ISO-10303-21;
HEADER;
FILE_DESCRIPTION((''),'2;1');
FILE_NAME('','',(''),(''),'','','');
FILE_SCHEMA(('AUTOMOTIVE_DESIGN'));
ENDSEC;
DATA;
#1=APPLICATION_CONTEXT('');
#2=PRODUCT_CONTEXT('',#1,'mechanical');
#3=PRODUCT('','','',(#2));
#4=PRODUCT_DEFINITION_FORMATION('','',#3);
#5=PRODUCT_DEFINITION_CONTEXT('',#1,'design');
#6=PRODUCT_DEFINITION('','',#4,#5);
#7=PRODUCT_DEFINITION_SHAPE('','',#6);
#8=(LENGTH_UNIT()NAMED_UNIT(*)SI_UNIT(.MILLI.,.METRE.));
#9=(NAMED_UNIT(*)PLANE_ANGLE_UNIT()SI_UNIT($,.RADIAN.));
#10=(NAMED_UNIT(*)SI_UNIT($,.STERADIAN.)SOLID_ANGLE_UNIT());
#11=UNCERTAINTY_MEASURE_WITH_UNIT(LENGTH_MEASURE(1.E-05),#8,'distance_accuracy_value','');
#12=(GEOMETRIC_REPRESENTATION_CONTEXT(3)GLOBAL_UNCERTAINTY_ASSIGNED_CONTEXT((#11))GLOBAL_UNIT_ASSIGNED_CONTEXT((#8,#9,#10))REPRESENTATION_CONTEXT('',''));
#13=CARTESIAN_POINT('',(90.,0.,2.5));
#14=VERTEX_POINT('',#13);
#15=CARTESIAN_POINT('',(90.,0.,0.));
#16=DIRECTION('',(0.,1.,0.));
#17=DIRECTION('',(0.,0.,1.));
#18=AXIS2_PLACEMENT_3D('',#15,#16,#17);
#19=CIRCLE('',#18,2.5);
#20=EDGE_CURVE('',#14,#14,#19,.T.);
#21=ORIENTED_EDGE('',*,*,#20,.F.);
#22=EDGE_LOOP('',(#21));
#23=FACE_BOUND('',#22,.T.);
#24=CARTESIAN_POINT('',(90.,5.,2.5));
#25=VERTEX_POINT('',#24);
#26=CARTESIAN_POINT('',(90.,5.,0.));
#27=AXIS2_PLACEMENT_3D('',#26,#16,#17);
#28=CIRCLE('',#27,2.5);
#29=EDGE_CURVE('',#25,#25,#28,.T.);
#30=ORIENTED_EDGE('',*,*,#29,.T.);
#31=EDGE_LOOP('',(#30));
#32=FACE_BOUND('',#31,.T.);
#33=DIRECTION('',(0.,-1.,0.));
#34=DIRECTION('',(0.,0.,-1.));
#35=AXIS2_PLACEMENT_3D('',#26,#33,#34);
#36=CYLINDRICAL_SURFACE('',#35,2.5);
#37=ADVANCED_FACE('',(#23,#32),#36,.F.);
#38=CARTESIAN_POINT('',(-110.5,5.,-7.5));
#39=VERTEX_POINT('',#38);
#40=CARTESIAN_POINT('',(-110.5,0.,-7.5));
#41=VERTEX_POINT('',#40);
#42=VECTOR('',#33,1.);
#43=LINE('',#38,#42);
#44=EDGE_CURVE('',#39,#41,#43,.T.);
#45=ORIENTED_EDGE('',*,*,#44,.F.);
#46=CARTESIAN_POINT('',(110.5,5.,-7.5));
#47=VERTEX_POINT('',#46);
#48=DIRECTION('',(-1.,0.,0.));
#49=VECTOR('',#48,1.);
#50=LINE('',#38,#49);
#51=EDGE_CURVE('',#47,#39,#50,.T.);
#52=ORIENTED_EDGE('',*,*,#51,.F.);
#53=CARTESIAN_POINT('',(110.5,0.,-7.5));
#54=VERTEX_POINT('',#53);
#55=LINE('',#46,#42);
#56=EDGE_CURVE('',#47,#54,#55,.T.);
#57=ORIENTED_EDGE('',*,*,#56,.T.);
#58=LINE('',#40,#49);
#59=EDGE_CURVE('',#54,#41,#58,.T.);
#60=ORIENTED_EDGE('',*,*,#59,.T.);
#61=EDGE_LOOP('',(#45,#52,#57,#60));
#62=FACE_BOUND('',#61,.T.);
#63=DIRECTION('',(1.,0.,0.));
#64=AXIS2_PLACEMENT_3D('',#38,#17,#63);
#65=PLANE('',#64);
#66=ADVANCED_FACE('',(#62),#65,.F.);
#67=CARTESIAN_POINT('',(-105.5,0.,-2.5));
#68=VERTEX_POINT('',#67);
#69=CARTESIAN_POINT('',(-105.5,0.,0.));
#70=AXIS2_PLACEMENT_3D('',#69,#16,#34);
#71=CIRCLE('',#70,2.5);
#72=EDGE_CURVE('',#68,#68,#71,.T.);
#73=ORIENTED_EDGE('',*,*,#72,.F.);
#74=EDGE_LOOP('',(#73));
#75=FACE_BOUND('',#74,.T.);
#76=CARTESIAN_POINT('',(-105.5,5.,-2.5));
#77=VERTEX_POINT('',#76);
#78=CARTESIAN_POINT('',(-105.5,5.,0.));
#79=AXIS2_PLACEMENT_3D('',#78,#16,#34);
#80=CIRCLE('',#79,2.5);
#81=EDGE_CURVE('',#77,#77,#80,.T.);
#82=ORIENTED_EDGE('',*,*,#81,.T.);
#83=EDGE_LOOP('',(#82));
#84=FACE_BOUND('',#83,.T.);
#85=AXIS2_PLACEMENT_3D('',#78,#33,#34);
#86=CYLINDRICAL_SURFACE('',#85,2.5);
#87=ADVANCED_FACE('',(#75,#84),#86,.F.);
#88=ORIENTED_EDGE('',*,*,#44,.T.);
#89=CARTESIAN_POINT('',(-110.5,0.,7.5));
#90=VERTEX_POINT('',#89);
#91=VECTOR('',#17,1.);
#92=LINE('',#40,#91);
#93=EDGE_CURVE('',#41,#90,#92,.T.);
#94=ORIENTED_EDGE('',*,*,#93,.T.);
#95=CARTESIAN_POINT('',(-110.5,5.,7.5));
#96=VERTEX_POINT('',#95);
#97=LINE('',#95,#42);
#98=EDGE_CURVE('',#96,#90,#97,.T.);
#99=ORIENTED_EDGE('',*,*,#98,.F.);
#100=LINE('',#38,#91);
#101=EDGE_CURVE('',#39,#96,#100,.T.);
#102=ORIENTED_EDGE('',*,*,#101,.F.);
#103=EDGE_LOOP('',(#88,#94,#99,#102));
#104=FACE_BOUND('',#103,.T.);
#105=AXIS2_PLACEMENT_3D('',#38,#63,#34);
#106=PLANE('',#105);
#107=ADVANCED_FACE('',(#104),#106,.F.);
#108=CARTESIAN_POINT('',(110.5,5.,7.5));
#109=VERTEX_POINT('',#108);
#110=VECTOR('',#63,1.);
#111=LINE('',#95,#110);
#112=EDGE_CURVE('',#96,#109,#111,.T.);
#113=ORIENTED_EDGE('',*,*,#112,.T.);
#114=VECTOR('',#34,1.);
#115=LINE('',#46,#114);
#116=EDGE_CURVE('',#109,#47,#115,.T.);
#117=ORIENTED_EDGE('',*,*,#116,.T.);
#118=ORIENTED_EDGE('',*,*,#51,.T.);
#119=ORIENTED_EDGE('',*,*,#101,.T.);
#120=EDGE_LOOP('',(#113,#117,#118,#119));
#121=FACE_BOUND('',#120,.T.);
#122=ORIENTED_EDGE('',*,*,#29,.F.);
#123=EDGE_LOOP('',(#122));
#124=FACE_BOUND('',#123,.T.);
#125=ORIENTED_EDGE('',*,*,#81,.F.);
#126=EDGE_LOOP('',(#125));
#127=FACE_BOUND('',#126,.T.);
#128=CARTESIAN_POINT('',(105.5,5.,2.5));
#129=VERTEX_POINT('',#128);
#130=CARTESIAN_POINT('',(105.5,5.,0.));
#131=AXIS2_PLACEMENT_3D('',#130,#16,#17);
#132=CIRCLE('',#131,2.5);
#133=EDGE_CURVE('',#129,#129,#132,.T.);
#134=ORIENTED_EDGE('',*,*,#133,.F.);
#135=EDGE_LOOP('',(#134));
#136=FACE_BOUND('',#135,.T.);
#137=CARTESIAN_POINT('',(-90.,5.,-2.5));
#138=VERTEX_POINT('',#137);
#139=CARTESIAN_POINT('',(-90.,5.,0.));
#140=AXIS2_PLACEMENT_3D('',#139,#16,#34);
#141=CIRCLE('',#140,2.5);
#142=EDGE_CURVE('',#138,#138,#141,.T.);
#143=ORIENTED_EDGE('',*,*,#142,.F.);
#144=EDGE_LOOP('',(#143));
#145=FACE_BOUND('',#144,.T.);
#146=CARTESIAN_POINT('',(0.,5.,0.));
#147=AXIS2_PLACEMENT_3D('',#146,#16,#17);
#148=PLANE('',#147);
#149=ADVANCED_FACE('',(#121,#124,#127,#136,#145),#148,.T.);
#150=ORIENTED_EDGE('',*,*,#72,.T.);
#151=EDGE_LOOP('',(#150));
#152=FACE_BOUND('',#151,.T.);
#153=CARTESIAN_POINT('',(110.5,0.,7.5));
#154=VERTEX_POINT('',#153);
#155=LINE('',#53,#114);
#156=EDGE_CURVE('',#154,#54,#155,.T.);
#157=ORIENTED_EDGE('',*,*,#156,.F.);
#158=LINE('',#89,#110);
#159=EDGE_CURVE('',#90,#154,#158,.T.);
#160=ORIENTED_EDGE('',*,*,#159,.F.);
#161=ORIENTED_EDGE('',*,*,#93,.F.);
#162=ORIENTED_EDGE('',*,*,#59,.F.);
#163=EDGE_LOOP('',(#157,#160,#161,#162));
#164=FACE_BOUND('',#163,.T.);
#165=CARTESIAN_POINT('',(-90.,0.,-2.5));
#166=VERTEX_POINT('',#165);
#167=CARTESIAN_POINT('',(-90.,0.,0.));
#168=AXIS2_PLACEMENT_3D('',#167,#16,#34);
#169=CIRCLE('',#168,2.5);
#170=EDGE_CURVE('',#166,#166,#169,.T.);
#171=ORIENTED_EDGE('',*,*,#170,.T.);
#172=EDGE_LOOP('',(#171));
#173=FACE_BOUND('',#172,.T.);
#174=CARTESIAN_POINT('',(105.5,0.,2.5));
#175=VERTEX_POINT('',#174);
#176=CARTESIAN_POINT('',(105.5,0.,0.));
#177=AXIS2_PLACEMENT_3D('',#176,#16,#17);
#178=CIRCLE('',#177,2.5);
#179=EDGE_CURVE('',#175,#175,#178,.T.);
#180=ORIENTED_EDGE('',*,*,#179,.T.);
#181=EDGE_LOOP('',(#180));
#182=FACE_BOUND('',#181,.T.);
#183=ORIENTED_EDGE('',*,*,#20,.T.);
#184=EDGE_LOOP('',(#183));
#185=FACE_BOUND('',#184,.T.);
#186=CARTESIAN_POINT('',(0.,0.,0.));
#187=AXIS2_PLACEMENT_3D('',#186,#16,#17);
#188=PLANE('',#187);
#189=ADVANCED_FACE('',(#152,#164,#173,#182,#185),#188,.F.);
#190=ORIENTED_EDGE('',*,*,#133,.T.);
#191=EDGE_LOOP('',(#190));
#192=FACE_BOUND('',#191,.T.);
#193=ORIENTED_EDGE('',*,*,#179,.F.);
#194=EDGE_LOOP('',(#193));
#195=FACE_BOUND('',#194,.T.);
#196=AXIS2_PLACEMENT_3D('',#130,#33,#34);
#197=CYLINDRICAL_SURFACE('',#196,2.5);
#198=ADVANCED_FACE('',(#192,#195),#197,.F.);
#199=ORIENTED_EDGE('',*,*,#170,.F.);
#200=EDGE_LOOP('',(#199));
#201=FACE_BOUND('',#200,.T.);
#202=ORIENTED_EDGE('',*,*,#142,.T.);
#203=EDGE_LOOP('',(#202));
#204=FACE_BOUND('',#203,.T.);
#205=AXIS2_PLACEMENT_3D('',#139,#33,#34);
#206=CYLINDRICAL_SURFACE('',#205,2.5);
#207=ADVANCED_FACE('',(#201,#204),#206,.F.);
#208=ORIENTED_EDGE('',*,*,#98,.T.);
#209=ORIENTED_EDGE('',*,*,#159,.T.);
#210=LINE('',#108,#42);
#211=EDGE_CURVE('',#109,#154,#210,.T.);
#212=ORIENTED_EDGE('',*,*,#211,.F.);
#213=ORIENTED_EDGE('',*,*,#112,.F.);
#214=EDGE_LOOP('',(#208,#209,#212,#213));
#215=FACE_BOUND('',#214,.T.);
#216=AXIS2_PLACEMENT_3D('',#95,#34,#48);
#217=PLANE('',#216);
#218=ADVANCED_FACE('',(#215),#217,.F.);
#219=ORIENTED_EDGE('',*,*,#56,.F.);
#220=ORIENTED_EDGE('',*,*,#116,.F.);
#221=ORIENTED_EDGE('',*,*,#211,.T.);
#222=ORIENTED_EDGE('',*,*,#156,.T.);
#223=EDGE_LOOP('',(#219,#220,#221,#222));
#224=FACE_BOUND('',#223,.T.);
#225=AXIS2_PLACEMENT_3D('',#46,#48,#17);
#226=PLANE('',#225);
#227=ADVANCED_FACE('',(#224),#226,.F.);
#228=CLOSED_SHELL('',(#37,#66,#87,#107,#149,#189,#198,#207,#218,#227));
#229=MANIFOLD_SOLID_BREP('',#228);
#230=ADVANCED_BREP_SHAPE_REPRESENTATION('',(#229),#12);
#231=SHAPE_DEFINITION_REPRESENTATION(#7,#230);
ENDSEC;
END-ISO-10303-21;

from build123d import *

# Parameters (mm, degrees)
SKETCH1_W           = 221
SKETCH1_H           = 15
SKETCH1_R           = 2.5
BOSS_EXTRUDE1_DEPTH = 5


with BuildPart() as part:
    # Sketch1 → Boss-Extrude1 (new body)
    with BuildSketch(Plane(origin=(0, 0, 0), x_dir=(1, 0, 0), z_dir=(0, 1, 0))):
        Rectangle(SKETCH1_W, SKETCH1_H)
        with Locations((105.5, 0)):
            Circle(SKETCH1_R, mode=Mode.SUBTRACT)
        with Locations((90, 0)):
            Circle(SKETCH1_R, mode=Mode.SUBTRACT)
        with Locations((-105.5, 0)):
            Circle(SKETCH1_R, mode=Mode.SUBTRACT)
        with Locations((-90, 0)):
            Circle(SKETCH1_R, mode=Mode.SUBTRACT)
    extrude(amount=BOSS_EXTRUDE1_DEPTH)


solid = part.part
